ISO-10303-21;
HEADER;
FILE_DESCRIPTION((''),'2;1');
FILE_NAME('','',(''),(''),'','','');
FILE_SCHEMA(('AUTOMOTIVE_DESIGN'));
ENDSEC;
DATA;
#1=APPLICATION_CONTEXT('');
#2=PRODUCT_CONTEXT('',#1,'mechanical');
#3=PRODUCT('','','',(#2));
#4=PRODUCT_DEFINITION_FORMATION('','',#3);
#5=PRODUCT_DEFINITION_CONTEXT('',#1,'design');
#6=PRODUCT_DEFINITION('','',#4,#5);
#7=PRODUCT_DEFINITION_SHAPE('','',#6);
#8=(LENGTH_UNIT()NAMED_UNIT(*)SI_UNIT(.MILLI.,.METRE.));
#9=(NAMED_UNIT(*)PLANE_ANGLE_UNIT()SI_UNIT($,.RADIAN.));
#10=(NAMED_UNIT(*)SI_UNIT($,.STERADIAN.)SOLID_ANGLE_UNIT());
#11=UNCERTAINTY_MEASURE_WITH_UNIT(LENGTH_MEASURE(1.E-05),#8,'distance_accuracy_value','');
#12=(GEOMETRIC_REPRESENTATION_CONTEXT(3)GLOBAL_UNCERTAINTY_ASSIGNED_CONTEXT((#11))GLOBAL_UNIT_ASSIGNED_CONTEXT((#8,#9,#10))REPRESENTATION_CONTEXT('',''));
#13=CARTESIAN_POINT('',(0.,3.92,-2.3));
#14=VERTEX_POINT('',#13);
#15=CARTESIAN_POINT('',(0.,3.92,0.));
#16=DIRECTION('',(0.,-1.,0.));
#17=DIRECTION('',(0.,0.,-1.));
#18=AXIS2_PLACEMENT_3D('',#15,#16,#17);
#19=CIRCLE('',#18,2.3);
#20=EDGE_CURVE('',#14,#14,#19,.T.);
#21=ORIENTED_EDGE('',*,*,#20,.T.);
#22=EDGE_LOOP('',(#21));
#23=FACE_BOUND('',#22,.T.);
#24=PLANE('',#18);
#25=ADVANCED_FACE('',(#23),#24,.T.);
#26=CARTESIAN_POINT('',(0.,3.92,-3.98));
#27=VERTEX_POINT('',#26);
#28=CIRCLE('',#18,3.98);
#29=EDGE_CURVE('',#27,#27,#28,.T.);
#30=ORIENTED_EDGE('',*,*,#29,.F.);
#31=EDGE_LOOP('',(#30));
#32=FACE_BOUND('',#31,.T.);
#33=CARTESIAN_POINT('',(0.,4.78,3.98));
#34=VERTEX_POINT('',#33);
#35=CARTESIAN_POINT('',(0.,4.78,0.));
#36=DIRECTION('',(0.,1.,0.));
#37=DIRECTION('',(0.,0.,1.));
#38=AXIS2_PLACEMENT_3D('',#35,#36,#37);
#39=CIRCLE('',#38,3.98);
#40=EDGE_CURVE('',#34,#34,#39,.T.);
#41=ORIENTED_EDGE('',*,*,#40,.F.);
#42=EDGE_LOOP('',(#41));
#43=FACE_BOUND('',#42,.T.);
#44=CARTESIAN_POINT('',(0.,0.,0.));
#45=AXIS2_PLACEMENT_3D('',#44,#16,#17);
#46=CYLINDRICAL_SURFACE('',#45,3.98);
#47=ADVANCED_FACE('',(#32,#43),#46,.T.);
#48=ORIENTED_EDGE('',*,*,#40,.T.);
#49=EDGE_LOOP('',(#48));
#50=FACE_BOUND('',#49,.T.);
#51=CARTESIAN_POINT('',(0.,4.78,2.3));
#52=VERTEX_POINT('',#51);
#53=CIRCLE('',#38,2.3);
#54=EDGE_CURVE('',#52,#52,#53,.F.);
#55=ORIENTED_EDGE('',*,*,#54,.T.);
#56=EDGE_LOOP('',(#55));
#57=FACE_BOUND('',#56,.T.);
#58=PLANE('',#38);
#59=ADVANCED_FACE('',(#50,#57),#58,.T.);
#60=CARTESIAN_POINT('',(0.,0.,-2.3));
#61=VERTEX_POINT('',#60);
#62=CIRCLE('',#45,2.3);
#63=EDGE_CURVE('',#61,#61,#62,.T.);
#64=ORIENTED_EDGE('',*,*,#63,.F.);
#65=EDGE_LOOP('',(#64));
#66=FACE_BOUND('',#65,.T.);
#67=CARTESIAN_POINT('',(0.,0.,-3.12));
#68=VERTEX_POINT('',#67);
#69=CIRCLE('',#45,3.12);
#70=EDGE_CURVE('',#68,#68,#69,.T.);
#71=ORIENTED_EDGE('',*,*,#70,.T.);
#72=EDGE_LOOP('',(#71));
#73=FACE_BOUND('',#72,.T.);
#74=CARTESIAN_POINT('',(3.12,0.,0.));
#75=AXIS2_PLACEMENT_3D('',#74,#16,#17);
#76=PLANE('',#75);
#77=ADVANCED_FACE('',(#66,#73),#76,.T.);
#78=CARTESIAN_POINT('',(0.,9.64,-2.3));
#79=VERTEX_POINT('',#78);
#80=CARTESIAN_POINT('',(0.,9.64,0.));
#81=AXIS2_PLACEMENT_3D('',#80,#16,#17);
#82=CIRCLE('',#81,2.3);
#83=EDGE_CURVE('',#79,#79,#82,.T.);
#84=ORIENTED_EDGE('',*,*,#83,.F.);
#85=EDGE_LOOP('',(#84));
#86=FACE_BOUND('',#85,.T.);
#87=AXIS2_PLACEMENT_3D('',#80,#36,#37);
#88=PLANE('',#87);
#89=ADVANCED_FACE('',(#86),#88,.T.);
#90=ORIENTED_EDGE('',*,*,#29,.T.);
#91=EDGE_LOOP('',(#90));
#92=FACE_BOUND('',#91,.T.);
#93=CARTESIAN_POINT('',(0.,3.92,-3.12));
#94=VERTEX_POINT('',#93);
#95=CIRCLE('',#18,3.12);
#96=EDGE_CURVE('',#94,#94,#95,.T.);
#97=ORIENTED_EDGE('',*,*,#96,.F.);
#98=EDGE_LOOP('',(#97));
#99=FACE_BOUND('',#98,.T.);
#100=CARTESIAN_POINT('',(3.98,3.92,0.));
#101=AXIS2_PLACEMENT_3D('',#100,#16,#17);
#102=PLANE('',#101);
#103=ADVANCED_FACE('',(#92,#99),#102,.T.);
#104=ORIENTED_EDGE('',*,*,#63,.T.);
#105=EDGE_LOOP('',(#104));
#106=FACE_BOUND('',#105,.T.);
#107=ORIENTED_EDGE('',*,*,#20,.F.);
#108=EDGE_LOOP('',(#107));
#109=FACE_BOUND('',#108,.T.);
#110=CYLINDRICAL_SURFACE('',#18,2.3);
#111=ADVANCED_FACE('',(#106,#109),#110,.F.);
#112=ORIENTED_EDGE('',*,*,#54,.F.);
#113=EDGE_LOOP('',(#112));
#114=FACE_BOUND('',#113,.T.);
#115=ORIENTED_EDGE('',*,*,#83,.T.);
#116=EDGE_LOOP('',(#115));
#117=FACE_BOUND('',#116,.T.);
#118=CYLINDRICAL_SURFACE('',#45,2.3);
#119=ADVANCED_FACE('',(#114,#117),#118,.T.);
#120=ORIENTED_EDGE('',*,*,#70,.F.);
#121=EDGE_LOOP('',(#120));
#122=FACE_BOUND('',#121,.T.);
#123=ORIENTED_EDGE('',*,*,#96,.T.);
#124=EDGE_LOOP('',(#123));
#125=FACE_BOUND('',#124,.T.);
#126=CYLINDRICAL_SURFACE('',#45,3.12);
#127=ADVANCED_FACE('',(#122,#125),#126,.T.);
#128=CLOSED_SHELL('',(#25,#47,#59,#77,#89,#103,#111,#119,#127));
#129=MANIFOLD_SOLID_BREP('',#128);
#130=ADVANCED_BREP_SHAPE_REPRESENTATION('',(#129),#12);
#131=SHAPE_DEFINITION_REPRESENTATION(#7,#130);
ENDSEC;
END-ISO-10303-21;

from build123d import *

# Parameters (mm, degrees)
SKETCH_2_R          = 2.3
CUT_EXTRUDE_1_DEPTH = 3.92
CUT_EXTRUDE_START   = -0.62
SKETCH_3_R          = 3.98
SKETCH_3_R_2        = 2.3
CUT_EXTRUDE_2_DEPTH = 0.62


with BuildPart() as part:
    # 草图1 → 旋转1 (revolve)
    with BuildSketch(Plane.XY, mode=Mode.PRIVATE) as revolve_1_sk:
        Polygon((0, 0), (0, 9.64), (2.3, 9.64), (2.3, 5.4), (3.98, 5.4), (3.98, 3.92), (3.12, 3.92), (3.12, 0), align=None)
    revolve(revolve_1_sk.sketch.rotate(Axis((0, 0, 0), (0, 1, 0)), 90), axis=Axis((0, 0, 0), (0, 1, 0)))

    # 草图2 → 切除-拉伸1 (cut)
    with BuildSketch(Plane.XZ):
        with Locations(Location((0, 0, 0), (0, 0, 270))):
            Circle(SKETCH_2_R)
    extrude(amount=-CUT_EXTRUDE_1_DEPTH, mode=Mode.SUBTRACT)

    # 草图3 → 切除-拉伸2 (cut)
    with BuildSketch(Plane(origin=(0, 5.4, 0), x_dir=(1, 0, 0), z_dir=(0, 1, 0)).offset(CUT_EXTRUDE_START)):
        with Locations(Location((0, 0, 0), (0, 0, 90))):
            Circle(SKETCH_3_R)
        with Locations(Location((0, 0, 0), (0, 0, 90))):
            Circle(SKETCH_3_R_2, mode=Mode.SUBTRACT)
    extrude(amount=CUT_EXTRUDE_2_DEPTH, mode=Mode.SUBTRACT)


solid = part.part
